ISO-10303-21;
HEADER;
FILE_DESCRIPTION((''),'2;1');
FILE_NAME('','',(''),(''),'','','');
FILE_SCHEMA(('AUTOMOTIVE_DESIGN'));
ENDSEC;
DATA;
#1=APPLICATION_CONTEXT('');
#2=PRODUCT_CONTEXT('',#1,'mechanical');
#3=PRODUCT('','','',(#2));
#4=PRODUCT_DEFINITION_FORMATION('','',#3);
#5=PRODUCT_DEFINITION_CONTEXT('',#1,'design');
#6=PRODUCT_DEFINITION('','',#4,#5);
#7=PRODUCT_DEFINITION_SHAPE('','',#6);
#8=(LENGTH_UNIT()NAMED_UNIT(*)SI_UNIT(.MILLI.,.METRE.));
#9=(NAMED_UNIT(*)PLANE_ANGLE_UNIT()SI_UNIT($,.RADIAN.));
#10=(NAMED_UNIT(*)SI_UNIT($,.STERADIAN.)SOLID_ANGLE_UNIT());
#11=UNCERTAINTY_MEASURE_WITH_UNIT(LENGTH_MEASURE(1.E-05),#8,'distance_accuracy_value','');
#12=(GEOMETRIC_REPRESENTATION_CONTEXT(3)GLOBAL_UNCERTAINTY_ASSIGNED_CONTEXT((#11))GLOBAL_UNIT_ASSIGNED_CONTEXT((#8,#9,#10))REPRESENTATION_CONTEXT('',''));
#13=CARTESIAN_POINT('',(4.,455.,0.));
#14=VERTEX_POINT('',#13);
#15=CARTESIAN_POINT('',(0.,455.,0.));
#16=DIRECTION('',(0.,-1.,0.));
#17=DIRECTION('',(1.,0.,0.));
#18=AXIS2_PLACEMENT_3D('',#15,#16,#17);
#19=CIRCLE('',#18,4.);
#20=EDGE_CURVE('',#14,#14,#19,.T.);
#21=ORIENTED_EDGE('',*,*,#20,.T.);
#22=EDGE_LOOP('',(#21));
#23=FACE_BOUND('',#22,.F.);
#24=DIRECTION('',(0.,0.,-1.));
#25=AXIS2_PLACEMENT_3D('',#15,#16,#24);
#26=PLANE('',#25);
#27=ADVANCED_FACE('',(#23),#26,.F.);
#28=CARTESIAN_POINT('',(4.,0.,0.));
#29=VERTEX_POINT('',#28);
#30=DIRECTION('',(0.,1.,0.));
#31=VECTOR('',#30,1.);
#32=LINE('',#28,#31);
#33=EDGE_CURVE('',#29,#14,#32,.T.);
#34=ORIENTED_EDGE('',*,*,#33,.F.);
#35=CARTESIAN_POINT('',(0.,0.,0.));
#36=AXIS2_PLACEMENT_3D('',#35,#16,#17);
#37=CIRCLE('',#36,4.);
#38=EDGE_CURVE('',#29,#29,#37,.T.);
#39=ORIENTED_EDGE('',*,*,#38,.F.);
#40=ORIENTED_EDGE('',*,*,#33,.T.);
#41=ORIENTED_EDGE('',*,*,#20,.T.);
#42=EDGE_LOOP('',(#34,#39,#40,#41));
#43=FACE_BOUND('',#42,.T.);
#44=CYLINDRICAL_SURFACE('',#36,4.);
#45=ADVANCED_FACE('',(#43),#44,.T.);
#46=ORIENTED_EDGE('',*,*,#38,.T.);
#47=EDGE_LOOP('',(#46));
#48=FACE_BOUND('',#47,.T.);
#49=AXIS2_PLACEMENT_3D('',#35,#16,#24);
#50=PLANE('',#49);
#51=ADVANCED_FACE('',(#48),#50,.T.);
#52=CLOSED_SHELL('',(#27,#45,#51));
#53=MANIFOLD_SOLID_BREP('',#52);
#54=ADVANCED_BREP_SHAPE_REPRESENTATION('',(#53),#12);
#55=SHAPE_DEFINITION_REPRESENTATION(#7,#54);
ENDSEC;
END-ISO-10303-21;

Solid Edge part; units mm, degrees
sketch "Sketch1" plane through (0, 0, 0) normal (0, -1, 0) x (1, 0, 0)
  circle A0 centre (0, 0) radius 4
extrude "Protrusion1" add sketch "Sketch1" against normal blind 455
